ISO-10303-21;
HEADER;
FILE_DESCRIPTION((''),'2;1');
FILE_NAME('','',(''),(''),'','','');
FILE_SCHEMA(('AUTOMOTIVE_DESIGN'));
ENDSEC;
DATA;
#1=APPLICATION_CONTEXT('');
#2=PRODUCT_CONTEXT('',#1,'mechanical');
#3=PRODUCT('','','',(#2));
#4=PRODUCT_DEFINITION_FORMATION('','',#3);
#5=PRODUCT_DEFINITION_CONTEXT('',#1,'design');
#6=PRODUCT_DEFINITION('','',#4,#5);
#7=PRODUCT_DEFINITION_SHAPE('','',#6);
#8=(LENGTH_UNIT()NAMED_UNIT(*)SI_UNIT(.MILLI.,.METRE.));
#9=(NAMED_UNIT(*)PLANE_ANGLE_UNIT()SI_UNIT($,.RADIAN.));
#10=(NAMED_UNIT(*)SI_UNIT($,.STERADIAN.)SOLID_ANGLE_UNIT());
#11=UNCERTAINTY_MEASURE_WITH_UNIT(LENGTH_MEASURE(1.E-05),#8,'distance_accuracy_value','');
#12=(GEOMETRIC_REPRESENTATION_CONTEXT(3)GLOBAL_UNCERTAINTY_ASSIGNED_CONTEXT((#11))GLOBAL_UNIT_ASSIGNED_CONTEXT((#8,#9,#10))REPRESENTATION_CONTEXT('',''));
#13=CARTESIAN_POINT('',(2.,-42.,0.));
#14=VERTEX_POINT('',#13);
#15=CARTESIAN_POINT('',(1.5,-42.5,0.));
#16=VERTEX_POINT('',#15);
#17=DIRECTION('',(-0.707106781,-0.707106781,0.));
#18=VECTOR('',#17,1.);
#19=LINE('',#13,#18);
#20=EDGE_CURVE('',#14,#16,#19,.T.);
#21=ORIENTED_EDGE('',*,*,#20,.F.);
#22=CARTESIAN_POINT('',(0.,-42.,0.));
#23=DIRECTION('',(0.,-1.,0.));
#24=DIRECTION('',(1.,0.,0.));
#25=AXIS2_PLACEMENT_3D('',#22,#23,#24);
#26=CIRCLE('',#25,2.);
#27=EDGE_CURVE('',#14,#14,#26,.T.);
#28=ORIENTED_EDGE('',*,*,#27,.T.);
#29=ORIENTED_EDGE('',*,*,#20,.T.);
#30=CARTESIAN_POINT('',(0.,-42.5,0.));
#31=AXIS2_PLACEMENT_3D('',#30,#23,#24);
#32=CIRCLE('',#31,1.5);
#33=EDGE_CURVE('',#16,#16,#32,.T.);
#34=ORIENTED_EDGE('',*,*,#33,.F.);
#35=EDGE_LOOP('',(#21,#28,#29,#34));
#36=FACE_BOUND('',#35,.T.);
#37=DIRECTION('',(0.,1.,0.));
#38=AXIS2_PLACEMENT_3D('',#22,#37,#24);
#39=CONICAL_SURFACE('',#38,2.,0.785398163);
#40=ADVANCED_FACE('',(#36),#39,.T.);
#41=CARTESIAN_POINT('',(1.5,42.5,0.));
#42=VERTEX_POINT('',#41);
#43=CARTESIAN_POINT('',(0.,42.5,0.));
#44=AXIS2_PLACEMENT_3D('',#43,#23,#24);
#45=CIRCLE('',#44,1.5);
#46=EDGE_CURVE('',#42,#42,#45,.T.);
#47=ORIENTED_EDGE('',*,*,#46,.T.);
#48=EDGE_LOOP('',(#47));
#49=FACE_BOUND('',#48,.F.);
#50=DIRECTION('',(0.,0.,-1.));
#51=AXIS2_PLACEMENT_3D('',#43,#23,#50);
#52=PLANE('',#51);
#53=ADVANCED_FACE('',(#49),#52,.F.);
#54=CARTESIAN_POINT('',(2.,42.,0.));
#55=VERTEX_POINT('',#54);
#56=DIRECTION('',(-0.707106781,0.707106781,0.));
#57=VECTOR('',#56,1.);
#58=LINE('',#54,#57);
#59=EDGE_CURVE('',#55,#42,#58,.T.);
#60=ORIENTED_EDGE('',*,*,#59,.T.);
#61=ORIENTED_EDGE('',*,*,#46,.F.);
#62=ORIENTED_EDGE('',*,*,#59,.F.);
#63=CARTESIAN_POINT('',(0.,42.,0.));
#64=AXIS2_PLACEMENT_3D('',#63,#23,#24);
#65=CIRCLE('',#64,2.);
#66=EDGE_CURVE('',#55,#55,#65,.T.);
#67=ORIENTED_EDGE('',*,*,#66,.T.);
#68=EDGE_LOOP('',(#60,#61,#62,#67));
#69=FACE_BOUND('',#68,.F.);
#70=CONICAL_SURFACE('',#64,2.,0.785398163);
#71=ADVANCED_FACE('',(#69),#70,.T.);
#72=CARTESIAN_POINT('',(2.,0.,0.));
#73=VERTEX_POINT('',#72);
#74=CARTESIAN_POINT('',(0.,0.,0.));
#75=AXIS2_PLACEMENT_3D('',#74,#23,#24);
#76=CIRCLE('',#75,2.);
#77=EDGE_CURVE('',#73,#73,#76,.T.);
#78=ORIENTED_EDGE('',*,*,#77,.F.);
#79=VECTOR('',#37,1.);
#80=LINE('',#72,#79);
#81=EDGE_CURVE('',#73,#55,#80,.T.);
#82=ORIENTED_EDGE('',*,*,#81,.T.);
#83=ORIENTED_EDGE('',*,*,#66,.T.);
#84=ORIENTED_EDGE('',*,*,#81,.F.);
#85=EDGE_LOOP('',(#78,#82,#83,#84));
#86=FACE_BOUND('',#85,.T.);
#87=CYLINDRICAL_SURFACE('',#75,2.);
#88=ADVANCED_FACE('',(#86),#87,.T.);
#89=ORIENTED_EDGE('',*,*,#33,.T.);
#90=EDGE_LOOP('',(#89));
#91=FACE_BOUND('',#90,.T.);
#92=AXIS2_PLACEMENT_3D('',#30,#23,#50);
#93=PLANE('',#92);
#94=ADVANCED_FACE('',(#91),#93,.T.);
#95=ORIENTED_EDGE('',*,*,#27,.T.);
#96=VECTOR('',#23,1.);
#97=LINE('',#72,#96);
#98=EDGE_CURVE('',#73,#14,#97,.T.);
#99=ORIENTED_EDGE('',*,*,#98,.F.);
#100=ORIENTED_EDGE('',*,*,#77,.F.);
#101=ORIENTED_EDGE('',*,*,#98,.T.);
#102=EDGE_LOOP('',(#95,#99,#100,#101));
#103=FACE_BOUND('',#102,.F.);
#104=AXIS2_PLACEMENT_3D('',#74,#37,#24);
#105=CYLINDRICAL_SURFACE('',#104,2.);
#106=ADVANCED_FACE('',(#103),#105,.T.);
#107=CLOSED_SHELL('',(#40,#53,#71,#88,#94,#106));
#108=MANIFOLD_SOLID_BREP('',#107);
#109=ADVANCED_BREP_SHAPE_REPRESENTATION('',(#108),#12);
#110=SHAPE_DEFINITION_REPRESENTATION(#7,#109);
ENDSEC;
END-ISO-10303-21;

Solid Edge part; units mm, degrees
sketch "Sketch1" plane through (0, 0, 0) normal (0, -1, 0) x (1, 0, 0)
  circle A0 centre (0, 0) radius 2
  dimension "D1" = 4
extrude "Protrusion1" add sketch "Sketch1" along normal mid plane 85
chamfer "Fase_1" distance 0.5 angle 45 2 edges at (-2, -42.5, 0) (-2, 42.5, 0)
properties material "Aluminiumlegierung:3.0205, Al 99.0, EN-AW 1200"
